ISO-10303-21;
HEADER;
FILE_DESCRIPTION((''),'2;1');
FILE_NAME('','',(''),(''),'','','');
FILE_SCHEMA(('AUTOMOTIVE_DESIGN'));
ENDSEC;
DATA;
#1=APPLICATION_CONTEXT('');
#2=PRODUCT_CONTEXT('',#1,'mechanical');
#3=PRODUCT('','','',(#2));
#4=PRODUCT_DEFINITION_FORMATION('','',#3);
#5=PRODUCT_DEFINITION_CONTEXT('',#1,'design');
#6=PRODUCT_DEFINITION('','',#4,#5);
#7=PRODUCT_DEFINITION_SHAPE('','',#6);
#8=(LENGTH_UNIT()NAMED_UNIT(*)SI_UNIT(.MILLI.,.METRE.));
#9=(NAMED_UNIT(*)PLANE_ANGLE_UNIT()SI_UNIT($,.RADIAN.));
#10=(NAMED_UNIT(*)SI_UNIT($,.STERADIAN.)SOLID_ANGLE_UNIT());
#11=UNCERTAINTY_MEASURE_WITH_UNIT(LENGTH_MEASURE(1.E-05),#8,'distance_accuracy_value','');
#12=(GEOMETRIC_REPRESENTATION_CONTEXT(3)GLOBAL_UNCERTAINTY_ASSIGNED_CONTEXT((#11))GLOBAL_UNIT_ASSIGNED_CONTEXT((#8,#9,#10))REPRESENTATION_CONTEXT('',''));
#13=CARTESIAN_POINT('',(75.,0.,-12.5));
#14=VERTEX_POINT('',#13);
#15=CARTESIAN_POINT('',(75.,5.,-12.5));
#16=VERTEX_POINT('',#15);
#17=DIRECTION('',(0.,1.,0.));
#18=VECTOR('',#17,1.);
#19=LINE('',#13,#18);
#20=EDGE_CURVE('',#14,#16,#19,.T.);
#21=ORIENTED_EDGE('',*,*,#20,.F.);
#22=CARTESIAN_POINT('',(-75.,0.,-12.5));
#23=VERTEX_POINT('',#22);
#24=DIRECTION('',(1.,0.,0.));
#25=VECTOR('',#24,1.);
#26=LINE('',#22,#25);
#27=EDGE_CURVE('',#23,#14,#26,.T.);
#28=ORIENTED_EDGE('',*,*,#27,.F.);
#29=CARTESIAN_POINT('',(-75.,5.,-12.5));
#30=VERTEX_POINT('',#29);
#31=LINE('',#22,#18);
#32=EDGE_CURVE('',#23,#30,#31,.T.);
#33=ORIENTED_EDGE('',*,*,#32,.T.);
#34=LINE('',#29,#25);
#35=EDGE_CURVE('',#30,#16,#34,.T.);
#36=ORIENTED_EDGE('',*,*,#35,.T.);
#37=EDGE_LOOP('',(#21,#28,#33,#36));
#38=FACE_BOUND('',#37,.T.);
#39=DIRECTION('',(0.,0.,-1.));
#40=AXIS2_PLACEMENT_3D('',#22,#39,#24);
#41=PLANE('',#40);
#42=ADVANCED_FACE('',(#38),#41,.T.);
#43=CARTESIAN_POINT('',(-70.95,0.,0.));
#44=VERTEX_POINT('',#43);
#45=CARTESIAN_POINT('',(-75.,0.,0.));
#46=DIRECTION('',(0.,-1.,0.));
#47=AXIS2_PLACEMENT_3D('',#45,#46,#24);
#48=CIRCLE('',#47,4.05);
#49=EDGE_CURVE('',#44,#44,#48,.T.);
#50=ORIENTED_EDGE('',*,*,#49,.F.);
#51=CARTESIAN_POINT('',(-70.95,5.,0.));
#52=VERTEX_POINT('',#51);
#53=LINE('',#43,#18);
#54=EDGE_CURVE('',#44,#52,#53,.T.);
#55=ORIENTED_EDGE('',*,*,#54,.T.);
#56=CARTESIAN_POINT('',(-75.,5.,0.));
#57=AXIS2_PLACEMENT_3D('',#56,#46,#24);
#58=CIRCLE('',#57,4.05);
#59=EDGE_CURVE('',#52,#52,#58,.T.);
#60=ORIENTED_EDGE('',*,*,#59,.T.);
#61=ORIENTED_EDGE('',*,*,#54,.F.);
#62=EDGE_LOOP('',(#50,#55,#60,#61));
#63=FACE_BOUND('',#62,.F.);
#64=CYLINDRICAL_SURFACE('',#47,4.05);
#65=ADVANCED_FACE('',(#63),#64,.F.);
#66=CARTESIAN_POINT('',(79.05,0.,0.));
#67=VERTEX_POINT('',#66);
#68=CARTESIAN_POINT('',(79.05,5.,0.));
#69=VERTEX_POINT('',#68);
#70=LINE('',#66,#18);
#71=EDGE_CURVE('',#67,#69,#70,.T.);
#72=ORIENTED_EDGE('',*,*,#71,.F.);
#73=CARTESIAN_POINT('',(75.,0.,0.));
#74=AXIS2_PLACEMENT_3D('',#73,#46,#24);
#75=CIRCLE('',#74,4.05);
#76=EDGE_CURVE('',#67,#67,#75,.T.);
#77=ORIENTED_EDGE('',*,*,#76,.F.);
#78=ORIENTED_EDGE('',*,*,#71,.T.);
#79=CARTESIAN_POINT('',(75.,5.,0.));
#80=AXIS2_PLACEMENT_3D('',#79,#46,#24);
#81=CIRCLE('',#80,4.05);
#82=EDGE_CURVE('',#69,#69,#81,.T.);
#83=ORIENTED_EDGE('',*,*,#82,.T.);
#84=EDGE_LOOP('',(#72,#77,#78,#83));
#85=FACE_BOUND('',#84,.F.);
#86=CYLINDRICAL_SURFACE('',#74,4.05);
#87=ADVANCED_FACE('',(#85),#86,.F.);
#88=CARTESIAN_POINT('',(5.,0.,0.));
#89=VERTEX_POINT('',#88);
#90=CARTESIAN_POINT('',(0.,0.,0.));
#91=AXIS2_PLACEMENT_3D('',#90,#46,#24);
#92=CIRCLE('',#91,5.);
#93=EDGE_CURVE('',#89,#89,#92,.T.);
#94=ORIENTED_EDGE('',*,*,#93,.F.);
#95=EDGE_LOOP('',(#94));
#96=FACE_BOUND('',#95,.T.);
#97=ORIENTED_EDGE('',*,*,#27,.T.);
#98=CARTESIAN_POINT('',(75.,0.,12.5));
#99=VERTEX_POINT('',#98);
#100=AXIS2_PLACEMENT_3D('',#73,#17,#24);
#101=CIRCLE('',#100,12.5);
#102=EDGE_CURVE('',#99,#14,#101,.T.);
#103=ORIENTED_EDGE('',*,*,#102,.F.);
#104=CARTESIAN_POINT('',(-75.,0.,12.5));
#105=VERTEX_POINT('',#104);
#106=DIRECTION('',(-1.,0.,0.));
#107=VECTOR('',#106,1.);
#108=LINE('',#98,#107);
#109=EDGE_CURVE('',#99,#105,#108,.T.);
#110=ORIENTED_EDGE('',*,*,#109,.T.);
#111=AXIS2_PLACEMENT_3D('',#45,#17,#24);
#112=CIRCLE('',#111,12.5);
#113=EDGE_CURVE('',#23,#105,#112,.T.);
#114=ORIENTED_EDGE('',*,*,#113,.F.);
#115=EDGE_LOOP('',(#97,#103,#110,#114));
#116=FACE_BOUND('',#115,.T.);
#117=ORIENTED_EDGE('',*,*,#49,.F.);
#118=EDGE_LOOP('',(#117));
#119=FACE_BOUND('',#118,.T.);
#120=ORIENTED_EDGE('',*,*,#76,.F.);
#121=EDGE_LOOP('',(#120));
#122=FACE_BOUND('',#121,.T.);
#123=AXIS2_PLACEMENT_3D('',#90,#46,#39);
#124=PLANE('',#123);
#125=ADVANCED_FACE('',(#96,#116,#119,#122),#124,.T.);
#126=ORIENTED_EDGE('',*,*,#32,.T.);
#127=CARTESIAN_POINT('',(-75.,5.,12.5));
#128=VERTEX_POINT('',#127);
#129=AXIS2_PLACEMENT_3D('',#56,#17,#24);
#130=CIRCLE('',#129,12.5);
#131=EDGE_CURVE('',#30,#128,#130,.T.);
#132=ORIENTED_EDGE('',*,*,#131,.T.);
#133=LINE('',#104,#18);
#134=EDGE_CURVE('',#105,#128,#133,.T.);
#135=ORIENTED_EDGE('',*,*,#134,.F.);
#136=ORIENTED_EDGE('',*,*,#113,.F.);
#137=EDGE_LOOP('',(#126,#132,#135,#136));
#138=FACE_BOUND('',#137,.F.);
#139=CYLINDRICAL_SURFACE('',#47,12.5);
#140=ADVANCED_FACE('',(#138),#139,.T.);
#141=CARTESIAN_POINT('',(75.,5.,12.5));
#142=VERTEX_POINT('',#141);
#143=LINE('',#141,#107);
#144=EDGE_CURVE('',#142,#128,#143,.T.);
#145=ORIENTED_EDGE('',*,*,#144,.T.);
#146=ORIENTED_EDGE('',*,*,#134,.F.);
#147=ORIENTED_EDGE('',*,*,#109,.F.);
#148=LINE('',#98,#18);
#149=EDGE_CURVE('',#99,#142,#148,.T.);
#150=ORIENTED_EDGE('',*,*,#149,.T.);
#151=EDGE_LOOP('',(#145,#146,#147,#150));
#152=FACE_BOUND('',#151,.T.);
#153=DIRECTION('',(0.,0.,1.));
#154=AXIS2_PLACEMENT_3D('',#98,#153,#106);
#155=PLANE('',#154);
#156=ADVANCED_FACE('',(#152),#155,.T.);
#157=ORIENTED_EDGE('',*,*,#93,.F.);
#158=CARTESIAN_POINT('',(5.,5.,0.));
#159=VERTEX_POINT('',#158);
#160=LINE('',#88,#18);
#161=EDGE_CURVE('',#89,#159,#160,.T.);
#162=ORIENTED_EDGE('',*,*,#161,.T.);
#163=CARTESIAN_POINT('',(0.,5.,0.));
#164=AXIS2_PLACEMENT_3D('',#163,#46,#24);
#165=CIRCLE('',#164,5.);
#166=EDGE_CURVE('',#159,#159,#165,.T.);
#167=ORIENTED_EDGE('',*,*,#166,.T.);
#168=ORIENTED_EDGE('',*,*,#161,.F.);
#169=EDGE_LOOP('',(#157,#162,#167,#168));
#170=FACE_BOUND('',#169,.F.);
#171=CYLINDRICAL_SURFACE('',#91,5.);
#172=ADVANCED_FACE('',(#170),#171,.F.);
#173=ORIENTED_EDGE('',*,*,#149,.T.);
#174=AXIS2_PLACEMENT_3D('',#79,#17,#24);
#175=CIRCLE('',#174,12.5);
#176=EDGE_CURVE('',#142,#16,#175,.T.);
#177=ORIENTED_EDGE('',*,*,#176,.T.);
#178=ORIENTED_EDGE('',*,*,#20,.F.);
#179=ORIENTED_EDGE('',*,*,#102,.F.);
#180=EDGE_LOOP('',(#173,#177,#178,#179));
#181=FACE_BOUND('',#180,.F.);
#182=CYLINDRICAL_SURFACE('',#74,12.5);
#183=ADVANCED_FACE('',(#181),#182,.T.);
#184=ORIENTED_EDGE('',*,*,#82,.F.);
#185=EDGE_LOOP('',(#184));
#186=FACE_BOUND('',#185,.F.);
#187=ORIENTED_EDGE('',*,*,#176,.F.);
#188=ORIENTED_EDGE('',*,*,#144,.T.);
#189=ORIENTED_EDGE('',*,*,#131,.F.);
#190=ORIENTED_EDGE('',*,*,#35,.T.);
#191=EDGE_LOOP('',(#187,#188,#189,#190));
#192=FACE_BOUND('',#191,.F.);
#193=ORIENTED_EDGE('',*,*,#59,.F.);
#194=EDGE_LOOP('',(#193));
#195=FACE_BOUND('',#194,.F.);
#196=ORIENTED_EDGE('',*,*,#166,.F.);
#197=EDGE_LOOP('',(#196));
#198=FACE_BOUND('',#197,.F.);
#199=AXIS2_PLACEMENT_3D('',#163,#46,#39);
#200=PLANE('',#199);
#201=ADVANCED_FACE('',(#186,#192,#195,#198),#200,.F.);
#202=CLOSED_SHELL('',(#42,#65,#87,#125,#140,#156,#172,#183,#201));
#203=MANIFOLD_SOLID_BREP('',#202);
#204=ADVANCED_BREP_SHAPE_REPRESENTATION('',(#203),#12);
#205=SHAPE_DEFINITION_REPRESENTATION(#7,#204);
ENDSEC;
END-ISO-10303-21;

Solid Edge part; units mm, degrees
sketch "Sketch1" plane through (0, 0, 0) normal (0, -1, 0) x (1, 0, 0)
  line L0 (75, 12.5) -> (-75, 12.5)
  line L1 (-75, -12.5) -> (75, -12.5)
  arc A0 (-75, -12.5) -> (-75, 12.5) centre (-75, 0) cw
  arc A1 (75, 12.5) -> (75, -12.5) centre (75, 0) cw
  circle A2 centre (-75, 0) radius 4.05
  circle A3 centre (75, 0) radius 4.05
  circle A4 centre (0, 0) radius 5
extrude "ExtrudedProtrusion_2" add sketch "Sketch1" against normal blind 5
properties material "Polycarbonate( 20-40% Glass Fiber)"
